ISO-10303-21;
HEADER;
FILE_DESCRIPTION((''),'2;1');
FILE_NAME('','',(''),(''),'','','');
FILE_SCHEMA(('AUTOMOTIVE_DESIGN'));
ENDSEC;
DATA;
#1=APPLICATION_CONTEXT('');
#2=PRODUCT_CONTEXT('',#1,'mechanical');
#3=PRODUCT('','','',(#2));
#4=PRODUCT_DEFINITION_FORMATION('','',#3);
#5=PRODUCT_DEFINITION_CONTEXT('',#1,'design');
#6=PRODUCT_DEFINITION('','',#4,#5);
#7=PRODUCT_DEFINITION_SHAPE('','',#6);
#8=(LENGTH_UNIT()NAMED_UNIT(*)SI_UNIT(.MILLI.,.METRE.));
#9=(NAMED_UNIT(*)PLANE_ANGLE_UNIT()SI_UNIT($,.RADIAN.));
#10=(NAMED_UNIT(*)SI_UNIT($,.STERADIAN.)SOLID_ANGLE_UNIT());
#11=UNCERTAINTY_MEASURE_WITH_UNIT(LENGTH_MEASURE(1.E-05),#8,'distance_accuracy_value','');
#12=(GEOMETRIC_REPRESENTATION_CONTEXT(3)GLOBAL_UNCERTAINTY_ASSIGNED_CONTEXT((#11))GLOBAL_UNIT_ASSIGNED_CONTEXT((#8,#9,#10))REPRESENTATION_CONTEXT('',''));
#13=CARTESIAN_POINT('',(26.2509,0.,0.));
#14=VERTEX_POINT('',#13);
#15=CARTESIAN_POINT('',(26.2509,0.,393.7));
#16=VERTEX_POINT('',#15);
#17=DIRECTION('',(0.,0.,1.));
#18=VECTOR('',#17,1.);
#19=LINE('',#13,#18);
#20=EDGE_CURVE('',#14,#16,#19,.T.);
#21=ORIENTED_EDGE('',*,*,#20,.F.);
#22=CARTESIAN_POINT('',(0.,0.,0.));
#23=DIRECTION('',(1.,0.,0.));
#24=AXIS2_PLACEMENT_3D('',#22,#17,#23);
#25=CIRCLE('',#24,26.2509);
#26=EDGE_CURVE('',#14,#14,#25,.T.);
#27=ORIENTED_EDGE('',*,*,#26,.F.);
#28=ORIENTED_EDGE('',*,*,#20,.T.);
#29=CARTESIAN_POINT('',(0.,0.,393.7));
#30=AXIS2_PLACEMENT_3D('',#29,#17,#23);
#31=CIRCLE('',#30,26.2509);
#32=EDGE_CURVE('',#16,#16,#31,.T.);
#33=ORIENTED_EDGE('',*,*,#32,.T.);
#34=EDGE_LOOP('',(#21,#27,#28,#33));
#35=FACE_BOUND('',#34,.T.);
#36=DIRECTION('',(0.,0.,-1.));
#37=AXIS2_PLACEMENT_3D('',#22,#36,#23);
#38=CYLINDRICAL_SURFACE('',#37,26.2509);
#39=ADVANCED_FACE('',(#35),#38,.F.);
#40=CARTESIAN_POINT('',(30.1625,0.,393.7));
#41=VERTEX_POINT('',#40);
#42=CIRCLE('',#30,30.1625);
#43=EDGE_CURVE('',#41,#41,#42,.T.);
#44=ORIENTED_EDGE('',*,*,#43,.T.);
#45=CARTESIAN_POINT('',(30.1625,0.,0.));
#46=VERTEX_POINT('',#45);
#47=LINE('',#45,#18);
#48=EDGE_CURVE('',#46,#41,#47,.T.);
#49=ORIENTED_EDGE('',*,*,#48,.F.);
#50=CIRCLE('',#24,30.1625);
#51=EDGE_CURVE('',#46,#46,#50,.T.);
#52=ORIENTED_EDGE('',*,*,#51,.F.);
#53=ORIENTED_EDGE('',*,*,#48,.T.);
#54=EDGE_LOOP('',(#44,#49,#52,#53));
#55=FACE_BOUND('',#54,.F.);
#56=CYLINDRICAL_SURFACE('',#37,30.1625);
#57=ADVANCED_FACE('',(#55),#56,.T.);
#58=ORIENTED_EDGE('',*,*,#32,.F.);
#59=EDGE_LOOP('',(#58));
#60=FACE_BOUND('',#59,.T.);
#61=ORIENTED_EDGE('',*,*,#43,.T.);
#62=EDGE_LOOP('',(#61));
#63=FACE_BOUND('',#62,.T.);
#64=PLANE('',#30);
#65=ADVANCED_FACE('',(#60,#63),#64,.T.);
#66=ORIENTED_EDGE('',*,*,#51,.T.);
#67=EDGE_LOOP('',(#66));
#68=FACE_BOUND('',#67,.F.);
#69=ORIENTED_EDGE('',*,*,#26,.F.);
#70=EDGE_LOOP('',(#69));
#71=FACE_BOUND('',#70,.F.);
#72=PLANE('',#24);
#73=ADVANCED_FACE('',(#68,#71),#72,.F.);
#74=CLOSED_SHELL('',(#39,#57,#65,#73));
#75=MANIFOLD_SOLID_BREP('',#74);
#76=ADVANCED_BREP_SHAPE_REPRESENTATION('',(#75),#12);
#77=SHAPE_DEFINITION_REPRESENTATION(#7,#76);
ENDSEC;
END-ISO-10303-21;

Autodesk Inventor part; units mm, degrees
ref_plane "YZ Plane" through (0, 0, 0) normal (1, 0, 0) x (0, 1, 0)
ref_plane "XZ Plane" through (0, 0, 0) normal (0, 1, 0) x (-1, 0, 0)
ref_plane "XY Plane" through (0, 0, 0) normal (0, 0, 1) x (1, 0, 0)
sketch "Sketch1" plane through (0, 0, 0) normal (0, 0, 1) x (1, 0, 0)
  circle A0 centre (0, 0) radius 30.1625
  circle A1 centre (0, 0) radius 26.2509
  dimension "d0" = 60.325
  dimension "d2" = 3.9116
extrude "Extrusion1" add sketch "Sketch1" along normal blind 393.7
properties part number "2r2scs" material "PVC-Piping"
